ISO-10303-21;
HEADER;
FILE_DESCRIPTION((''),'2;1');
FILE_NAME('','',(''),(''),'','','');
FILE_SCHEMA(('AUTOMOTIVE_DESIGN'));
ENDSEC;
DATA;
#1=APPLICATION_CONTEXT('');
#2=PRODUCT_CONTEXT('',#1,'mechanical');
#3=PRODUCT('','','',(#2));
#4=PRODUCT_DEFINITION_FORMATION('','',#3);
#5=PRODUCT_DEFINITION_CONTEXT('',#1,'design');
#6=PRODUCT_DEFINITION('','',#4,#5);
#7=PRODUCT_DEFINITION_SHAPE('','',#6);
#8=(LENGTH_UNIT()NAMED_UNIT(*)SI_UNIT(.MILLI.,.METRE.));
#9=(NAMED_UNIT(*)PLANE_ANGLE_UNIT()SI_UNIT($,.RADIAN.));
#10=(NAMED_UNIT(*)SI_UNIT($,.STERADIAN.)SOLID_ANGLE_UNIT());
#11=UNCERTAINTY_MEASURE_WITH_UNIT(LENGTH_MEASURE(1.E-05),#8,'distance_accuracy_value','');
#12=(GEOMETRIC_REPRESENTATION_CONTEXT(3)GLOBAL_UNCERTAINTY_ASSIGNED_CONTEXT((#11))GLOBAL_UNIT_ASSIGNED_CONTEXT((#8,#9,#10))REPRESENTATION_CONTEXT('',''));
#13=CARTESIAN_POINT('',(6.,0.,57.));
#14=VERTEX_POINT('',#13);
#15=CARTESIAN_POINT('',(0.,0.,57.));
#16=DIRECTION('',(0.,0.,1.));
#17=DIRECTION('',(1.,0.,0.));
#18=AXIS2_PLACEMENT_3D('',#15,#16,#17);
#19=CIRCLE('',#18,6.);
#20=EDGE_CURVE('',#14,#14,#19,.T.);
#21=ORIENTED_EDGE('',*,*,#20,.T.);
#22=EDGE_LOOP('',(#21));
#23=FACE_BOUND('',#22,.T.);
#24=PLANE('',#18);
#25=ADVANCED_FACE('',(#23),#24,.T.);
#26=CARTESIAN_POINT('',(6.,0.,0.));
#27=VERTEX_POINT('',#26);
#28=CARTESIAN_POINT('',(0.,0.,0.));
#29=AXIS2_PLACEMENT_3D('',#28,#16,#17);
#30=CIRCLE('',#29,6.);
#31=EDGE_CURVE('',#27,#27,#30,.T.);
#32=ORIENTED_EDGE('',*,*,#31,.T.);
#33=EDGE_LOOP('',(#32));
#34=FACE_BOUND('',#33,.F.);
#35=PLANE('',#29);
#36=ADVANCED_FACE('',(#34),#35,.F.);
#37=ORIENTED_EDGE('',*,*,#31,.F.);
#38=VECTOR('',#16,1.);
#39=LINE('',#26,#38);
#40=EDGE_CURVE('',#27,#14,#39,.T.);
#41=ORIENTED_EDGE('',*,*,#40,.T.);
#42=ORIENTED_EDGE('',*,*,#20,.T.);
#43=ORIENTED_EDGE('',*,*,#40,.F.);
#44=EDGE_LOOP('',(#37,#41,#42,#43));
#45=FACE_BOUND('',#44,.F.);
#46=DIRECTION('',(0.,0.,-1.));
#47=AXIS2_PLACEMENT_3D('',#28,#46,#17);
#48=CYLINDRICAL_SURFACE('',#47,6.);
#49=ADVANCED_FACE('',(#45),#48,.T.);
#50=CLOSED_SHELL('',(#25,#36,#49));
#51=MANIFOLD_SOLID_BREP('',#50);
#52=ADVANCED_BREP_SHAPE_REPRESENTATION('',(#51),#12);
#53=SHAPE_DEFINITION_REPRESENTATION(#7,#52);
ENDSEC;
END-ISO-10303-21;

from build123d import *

# Parameters (mm, degrees)
SKETCH_R  = 6
PAD_DEPTH = 57


with BuildPart() as part:
    # Sketch → Pad (new body)
    with BuildSketch(Plane.XY):
        Circle(SKETCH_R)
    extrude(amount=PAD_DEPTH)


solid = part.part
